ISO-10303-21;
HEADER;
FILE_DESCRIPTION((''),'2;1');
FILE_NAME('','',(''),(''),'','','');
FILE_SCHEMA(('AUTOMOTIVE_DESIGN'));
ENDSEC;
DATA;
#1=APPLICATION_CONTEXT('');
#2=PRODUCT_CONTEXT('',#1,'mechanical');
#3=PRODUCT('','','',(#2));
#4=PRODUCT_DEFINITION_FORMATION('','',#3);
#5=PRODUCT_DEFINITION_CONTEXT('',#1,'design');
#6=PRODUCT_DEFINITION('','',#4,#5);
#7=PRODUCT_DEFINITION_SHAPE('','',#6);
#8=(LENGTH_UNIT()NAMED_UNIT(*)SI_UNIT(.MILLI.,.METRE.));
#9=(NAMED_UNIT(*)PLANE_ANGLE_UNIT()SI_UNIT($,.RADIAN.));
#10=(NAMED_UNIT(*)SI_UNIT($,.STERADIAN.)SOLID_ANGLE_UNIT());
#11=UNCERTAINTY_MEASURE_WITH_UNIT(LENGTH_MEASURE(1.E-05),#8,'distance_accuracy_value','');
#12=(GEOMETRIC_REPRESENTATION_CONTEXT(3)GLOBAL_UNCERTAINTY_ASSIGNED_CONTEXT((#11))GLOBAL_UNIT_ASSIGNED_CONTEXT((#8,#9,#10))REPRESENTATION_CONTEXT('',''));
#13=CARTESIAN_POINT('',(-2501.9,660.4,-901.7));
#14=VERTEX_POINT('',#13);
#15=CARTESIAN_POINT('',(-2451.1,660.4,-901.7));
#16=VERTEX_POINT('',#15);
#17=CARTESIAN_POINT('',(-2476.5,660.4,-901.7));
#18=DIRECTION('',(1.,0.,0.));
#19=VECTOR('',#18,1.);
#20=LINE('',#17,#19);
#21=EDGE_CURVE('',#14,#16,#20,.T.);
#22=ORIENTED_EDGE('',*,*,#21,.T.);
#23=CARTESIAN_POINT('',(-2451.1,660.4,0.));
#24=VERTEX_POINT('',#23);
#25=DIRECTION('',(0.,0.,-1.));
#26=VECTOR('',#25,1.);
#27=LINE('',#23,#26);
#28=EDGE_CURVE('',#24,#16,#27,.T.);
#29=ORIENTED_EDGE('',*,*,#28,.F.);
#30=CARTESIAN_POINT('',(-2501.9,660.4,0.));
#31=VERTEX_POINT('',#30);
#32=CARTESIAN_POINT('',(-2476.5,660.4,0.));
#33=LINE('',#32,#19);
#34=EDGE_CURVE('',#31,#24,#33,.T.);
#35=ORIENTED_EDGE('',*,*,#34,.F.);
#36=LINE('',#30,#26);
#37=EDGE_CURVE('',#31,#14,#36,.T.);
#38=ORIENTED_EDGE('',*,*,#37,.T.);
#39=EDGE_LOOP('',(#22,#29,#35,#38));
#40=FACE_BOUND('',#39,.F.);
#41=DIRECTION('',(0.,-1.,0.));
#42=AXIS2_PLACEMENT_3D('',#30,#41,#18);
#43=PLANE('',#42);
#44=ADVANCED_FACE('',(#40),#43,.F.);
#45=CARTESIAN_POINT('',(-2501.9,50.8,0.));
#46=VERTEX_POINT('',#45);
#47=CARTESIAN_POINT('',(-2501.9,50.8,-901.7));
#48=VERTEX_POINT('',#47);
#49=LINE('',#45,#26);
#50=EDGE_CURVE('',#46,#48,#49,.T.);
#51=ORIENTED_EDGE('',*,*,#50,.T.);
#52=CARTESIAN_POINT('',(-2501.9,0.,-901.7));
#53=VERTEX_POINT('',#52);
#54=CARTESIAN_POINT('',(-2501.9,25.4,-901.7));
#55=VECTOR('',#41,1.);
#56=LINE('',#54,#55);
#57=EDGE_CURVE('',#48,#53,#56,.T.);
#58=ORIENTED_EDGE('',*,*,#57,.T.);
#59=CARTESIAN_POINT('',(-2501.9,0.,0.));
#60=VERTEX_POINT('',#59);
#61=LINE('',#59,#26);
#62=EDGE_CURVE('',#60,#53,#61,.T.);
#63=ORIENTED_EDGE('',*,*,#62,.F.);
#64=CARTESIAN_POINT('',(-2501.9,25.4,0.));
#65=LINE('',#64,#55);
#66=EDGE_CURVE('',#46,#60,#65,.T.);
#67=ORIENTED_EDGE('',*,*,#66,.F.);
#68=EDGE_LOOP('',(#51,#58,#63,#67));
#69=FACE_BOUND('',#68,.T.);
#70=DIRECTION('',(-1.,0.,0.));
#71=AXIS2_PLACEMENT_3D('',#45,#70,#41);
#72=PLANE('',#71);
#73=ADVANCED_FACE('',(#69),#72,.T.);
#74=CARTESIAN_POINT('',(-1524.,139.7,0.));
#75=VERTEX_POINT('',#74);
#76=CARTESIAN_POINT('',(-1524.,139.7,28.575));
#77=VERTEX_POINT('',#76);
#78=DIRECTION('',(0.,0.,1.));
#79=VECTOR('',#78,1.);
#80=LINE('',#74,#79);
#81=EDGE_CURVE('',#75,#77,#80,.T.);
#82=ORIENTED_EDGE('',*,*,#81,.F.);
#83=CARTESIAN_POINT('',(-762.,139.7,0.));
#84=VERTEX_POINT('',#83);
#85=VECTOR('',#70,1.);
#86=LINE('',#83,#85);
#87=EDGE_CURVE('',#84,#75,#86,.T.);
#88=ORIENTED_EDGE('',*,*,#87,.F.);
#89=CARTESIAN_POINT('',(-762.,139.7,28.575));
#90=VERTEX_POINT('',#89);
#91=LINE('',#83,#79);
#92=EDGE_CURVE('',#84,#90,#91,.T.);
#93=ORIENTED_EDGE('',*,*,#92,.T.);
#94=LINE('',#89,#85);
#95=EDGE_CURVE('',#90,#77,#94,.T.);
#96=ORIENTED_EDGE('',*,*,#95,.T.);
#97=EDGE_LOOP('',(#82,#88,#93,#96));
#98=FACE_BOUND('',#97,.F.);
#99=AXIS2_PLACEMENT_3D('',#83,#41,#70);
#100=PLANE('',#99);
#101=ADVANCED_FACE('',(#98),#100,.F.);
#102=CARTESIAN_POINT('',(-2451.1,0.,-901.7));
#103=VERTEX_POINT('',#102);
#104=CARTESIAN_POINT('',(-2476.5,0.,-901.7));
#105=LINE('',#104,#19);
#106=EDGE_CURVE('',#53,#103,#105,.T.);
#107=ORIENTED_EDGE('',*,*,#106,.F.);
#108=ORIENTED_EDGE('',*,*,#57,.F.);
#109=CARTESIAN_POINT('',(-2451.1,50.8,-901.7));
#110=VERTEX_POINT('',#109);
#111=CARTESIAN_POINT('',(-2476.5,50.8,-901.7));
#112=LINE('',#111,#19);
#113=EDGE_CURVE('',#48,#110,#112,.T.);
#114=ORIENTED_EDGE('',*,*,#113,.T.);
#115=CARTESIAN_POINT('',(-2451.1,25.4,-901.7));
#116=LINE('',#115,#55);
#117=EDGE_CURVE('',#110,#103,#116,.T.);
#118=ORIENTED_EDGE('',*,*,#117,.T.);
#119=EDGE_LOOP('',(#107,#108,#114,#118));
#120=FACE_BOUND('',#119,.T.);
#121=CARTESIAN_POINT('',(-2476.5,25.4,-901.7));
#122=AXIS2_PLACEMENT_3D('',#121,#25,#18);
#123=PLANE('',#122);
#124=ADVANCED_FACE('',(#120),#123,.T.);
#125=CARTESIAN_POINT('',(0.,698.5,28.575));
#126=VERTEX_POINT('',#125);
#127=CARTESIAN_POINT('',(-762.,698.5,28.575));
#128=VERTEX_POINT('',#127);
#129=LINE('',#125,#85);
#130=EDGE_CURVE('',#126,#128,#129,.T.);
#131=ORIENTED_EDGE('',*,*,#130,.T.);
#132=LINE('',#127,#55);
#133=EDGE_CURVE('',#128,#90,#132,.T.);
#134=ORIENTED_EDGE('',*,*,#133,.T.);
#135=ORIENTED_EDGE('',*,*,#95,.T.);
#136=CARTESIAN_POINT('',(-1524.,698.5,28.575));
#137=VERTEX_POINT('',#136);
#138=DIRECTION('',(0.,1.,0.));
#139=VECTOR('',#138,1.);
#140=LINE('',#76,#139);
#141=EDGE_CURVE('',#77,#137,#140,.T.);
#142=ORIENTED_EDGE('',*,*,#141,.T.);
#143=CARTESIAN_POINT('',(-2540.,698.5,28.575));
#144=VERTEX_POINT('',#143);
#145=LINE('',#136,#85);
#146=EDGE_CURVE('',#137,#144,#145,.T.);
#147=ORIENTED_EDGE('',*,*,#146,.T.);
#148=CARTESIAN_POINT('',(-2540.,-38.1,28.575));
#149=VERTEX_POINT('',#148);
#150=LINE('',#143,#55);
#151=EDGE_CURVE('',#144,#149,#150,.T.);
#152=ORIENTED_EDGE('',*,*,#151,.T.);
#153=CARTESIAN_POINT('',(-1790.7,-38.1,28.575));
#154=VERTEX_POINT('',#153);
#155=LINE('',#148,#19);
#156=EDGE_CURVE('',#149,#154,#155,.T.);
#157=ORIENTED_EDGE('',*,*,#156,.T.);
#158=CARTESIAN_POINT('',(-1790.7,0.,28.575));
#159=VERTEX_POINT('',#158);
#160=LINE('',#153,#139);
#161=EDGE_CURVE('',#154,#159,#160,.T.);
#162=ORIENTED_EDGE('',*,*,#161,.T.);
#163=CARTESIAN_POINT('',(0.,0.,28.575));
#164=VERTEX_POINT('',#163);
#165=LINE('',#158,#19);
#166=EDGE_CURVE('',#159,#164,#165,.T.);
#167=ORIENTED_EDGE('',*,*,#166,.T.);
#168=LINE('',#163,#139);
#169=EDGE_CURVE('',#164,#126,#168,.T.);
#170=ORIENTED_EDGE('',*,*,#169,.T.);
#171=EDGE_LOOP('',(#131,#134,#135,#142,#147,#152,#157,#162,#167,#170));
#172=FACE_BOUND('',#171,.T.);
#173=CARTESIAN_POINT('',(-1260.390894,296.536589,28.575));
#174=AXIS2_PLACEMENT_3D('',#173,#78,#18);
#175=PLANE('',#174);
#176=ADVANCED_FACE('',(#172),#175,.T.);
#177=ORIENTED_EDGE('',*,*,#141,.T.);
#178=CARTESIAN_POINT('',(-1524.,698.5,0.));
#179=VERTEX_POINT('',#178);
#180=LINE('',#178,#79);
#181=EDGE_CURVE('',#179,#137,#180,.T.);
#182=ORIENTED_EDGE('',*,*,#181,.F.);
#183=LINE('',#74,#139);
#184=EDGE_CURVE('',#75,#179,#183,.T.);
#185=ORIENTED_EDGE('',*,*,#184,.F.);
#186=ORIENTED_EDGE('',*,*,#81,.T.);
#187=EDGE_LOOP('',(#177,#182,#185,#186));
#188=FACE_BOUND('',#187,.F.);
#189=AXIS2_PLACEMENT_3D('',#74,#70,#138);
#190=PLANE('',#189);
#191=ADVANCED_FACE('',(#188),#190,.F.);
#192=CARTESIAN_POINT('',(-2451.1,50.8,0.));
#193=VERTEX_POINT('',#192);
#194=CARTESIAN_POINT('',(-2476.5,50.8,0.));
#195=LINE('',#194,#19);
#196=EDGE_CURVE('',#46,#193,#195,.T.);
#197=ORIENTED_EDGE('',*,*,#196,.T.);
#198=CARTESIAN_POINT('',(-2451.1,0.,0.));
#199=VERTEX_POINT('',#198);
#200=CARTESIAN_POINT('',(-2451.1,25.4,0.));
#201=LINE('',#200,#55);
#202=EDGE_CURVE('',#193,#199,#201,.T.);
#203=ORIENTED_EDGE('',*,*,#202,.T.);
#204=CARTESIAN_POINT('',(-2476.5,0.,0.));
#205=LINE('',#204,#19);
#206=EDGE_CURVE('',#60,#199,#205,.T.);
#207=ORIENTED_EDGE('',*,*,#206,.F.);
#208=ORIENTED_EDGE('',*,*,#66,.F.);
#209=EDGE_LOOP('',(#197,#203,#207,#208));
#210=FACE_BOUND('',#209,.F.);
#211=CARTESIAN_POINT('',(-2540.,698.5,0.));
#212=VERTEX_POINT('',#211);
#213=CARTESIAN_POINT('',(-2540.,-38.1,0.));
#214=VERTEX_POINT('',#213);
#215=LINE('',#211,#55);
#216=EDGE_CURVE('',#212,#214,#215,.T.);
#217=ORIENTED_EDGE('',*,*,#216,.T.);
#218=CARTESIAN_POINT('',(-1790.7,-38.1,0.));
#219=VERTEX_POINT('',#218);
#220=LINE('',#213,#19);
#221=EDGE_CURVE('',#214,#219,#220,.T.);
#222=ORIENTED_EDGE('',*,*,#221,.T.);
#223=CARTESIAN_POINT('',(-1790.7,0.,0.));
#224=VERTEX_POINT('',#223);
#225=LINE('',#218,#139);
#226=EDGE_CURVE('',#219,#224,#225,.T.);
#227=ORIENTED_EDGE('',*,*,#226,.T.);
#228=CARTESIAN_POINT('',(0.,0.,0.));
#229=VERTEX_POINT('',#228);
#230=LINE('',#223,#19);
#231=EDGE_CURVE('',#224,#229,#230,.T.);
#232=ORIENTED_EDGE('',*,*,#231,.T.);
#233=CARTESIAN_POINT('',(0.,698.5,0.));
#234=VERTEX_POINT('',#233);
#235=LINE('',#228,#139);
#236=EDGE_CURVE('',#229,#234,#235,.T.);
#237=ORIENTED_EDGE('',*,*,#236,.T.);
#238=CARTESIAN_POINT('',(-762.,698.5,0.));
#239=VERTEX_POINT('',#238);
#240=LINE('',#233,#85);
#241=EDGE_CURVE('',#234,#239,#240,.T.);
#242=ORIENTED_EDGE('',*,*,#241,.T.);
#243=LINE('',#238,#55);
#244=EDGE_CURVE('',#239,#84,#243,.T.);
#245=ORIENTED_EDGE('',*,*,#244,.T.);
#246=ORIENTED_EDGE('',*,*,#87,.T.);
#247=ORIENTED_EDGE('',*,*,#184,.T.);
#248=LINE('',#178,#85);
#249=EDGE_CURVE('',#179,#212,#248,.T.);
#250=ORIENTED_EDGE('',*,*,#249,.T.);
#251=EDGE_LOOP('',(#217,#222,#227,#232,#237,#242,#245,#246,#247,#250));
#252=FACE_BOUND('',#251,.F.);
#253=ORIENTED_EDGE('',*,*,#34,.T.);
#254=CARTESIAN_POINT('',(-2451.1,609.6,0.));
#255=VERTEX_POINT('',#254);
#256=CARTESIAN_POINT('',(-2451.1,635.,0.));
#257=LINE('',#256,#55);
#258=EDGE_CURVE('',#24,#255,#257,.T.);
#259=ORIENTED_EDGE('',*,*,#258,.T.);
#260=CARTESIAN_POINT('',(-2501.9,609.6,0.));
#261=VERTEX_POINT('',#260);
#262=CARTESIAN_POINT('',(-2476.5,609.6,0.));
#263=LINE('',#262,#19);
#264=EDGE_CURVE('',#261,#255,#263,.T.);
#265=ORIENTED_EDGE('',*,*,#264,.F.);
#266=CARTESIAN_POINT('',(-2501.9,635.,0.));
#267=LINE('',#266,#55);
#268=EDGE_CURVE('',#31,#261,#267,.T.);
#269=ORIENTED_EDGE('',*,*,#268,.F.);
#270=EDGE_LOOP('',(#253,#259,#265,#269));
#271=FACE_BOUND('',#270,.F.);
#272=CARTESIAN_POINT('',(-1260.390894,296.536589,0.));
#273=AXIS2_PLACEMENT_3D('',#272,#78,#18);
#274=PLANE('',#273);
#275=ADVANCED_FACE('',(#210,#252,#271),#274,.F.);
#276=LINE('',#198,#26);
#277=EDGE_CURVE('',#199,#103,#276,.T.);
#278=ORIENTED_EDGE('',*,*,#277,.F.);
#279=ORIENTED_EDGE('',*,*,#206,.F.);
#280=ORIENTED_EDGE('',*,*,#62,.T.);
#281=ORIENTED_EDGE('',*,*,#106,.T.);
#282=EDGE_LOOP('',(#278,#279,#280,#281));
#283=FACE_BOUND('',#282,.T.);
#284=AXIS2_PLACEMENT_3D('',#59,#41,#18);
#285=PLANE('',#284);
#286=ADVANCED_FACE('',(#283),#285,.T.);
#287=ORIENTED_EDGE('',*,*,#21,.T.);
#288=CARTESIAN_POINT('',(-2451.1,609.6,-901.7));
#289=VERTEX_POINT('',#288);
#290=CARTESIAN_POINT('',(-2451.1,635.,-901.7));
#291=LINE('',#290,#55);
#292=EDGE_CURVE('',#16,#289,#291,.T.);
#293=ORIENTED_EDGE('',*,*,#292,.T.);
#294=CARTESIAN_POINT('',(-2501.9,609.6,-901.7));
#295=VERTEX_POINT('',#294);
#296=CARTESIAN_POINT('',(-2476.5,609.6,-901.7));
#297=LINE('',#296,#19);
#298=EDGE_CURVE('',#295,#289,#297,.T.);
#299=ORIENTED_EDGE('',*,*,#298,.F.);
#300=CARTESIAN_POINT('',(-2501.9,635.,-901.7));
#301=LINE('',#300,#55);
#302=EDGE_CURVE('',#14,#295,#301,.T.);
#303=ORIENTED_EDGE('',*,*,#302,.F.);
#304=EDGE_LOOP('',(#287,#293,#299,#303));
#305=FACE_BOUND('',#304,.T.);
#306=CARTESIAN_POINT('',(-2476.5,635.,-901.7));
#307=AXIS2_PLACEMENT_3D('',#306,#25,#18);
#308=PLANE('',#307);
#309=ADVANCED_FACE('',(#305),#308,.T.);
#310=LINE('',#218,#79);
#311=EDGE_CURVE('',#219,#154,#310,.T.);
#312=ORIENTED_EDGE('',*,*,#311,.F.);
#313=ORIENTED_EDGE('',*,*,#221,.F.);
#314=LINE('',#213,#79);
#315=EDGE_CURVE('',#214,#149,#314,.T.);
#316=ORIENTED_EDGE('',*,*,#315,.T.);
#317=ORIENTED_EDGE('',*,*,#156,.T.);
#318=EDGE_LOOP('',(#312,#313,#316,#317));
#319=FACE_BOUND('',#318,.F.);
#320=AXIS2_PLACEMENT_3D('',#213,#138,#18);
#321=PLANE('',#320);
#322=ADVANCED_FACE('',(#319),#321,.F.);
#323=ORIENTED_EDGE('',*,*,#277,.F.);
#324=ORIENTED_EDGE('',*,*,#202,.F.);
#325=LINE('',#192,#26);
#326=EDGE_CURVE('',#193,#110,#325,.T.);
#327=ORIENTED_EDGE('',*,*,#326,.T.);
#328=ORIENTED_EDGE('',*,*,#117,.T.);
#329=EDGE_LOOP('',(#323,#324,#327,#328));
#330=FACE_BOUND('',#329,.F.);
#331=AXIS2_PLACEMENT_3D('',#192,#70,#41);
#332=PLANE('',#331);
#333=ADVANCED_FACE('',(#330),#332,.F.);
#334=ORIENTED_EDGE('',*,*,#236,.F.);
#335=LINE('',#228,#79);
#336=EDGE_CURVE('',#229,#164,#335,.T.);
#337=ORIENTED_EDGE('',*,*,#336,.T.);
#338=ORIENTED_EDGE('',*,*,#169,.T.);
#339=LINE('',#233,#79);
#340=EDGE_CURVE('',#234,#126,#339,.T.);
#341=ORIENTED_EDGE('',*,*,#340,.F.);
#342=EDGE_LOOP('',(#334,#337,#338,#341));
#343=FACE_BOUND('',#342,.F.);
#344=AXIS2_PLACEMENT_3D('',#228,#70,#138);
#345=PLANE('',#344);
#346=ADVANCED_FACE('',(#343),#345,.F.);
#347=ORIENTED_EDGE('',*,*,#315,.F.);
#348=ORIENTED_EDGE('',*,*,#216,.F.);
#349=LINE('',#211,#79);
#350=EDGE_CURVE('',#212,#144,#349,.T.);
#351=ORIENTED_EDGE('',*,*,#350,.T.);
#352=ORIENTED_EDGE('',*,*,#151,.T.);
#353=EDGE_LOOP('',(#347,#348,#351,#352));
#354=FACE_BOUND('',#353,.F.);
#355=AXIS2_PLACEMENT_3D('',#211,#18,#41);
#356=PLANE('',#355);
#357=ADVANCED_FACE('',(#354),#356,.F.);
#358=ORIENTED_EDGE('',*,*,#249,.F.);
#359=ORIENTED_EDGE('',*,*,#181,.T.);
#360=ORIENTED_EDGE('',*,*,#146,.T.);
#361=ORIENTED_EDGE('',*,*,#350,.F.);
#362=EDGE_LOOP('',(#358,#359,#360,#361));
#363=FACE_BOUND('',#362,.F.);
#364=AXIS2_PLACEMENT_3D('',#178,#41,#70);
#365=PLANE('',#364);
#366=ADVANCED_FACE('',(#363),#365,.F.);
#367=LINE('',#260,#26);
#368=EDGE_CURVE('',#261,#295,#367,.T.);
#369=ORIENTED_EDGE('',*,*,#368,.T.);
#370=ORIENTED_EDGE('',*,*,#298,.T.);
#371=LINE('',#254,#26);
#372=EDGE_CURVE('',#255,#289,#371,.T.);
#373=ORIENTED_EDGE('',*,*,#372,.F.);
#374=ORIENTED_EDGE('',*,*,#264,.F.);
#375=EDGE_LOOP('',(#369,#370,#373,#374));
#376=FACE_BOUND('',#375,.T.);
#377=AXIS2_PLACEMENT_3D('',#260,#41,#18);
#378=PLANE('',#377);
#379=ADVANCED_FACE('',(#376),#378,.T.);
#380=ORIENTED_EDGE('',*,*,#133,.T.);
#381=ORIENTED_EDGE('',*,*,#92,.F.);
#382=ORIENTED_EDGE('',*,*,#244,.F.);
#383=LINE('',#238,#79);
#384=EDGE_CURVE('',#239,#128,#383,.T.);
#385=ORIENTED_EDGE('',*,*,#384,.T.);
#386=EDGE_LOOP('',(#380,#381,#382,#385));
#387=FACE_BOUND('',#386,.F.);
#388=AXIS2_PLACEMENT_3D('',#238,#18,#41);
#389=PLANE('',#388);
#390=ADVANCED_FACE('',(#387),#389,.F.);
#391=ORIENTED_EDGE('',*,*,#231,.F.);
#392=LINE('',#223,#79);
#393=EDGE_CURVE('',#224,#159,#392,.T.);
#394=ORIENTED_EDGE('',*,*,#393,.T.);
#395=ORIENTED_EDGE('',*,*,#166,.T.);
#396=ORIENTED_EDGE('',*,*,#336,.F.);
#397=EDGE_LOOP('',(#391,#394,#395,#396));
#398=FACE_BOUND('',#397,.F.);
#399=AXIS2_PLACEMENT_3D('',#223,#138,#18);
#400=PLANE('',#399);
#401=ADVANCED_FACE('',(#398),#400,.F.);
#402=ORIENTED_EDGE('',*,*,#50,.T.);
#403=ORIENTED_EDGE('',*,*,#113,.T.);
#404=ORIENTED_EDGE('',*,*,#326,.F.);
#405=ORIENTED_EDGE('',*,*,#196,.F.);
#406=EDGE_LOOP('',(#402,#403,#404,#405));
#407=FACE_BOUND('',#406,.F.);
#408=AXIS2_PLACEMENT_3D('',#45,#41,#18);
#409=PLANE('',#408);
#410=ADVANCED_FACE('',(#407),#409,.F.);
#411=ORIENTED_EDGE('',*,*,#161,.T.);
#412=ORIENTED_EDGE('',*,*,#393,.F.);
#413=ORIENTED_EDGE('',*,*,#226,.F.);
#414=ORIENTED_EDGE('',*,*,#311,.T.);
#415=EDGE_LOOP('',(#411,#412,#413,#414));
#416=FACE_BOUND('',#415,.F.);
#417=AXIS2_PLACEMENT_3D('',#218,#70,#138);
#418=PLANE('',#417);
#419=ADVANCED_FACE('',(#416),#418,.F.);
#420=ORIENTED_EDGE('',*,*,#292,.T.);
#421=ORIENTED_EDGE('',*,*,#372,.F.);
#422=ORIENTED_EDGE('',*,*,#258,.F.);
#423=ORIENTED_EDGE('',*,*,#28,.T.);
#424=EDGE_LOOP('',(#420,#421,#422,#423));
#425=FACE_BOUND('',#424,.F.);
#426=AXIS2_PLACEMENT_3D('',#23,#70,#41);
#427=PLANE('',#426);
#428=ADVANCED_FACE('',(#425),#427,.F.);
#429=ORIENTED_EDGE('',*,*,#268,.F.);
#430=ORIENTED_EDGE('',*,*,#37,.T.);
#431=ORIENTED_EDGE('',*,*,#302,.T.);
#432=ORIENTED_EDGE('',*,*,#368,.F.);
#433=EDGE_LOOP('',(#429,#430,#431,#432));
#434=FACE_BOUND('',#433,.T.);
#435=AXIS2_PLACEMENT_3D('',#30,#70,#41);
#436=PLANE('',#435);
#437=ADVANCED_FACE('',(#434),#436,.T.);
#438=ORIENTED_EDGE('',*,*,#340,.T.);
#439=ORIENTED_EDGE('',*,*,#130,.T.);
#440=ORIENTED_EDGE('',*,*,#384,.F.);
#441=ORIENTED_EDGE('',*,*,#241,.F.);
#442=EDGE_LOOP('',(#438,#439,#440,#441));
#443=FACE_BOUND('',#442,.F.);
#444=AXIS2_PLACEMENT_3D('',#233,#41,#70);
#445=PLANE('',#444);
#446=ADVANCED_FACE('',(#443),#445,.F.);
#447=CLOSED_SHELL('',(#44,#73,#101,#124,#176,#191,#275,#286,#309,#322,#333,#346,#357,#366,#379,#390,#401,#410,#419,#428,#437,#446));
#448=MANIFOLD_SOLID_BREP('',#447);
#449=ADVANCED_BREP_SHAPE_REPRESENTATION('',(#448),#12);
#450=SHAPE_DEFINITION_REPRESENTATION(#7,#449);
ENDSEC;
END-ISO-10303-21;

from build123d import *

# Parameters (mm, degrees)
F1_DEPTH = 28.575
F2_W     = 50.8
F2_H     = 50.8
F3_DEPTH = 901.7


with BuildPart() as f1:
    # F0 (on Top) → F1 (new body)
    with BuildSketch(Plane.XY):
        Polygon((-1790.7, 0), (0, 0), (0, 698.5), (-762, 698.5), (-762, 139.7), (-1524, 139.7), (-1524, 698.5), (-2540, 698.5), (-2540, 0), (-2540, -38.1), (-1790.7, -38.1), align=None)
    extrude(amount=F1_DEPTH)

    # F2 (on face) → F3 (join)
    with BuildSketch(Plane(origin=(0, 0, 0), x_dir=(1, 0, 0), z_dir=(0, 0, -1))):
        with Locations((-2476.5, -25.4)):
            Rectangle(F2_W, F2_H)
        with Locations((-2476.5, -635)):
            Rectangle(F2_W, F2_H)
    extrude(amount=F3_DEPTH)


solid = f1.part
